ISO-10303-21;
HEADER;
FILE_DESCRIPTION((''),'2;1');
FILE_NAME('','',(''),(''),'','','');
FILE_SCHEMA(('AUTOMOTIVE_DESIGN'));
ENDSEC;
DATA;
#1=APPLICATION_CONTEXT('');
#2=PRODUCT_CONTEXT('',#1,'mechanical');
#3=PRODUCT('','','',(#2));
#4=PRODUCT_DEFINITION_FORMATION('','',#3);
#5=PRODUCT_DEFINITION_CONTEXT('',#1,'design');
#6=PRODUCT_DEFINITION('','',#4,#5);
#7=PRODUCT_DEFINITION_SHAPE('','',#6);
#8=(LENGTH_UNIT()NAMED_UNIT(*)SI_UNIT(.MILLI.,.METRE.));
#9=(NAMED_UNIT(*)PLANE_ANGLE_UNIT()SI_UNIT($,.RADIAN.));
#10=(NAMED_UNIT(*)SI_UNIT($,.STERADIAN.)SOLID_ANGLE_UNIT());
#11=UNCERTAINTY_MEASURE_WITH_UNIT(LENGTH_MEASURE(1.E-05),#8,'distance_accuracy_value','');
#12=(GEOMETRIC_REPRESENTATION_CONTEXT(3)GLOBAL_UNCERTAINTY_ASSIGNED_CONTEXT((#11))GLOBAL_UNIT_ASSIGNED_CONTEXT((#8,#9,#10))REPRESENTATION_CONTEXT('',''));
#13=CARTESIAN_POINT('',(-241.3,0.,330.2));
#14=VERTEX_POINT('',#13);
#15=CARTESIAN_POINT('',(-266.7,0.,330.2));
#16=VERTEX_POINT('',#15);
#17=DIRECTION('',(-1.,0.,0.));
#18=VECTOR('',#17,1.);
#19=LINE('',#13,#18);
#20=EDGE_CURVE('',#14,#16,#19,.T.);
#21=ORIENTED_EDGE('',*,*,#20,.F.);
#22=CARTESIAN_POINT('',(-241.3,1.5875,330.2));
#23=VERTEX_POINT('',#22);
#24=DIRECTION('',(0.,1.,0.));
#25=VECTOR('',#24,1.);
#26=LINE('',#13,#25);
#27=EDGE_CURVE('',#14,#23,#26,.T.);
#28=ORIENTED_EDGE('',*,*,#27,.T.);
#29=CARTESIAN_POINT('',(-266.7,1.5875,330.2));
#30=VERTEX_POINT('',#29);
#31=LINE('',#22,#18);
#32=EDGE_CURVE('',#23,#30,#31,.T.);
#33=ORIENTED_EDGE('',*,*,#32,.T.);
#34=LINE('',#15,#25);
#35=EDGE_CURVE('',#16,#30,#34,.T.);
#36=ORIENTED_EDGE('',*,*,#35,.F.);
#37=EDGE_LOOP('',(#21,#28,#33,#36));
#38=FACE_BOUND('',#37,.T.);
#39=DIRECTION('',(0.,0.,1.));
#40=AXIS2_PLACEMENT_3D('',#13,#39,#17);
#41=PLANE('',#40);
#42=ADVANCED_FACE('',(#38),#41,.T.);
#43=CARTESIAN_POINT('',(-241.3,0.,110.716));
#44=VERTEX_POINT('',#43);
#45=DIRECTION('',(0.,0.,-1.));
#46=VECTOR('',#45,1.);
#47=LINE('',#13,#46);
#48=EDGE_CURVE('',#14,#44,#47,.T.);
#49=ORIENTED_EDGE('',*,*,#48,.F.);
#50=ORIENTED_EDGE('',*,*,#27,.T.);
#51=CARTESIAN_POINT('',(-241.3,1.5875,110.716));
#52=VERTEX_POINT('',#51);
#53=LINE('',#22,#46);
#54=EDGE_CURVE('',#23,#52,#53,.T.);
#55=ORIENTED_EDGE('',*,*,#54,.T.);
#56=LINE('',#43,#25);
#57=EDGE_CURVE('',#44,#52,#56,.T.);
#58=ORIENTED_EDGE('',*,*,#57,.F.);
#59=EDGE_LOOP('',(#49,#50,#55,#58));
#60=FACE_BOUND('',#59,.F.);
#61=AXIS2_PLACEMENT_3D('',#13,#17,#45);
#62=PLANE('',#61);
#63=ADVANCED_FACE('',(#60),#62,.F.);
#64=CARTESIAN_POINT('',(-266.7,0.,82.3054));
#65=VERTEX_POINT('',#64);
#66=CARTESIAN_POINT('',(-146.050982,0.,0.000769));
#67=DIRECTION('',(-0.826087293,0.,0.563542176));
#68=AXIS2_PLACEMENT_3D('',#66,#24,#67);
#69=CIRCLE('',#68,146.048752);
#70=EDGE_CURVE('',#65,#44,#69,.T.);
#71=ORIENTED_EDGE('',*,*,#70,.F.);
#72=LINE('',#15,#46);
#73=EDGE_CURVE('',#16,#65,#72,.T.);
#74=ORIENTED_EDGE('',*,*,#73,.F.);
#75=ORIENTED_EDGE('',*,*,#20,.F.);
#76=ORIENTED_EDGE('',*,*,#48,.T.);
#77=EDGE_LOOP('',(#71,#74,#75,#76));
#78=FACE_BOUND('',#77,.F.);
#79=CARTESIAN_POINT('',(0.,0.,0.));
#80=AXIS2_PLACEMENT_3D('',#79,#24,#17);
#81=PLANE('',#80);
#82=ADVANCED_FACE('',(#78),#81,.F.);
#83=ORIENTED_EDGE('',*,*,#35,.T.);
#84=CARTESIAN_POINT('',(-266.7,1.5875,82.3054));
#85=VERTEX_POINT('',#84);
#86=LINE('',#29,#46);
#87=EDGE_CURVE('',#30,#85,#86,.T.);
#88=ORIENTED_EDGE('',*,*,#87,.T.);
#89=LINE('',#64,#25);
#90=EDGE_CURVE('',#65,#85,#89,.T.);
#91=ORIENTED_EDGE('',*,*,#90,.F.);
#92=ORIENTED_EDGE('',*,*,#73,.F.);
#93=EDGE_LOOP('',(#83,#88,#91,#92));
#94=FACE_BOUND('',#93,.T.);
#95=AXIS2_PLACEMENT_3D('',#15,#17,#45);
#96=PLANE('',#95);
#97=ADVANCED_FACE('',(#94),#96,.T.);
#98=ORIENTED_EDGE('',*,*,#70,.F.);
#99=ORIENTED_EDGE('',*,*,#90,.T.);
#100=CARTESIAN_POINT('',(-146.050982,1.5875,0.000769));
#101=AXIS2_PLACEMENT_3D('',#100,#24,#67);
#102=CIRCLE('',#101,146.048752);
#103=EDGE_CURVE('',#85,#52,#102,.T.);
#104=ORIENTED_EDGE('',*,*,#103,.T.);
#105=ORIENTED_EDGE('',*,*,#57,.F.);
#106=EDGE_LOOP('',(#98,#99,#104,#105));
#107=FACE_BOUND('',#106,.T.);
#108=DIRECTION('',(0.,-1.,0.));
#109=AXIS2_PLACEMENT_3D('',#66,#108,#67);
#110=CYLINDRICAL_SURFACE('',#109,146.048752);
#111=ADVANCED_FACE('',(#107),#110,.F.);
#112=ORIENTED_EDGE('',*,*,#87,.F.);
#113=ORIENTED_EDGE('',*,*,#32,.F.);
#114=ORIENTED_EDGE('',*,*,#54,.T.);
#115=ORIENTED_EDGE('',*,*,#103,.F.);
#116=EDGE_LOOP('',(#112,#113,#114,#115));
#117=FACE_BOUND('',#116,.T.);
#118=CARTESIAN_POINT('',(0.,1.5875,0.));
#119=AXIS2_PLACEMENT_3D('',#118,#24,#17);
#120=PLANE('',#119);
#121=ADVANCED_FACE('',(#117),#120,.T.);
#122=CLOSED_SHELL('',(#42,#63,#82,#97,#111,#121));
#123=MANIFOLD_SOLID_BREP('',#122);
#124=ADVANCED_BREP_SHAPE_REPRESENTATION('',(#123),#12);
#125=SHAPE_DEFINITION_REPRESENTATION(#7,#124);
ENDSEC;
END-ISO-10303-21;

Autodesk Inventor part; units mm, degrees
ref_plane "YZ Plane" through (0, 0, 0) normal (1, 0, 0) x (0, 1, 0)
ref_plane "XZ Plane" through (0, 0, 0) normal (0, 1, 0) x (-1, 0, 0)
ref_plane "XY Plane" through (0, 0, 0) normal (0, 0, 1) x (1, 0, 0)
sketch "Sketch1" plane through (0, 0, 0) normal (0, 1, 0) x (-1, 0, 0)
  line L0 (0, 0) -> (0, 330.2) construction
  line L1 (0, 330.2) -> (330.2, 330.2) construction
  line L2 (330.2, 330.2) -> (330.2, 0) construction
  line L3 (330.2, 0) -> (0, 0) construction
  circle A0 centre (146.05, 0) radius 146.05 construction
  line L4 (241.3, 330.2) -> (241.3, 110.716)
  line L5 (266.7, 330.2) -> (266.7, 82.3054)
  line L6 (241.3, 330.2) -> (266.7, 330.2)
  arc A1 (266.7, 82.3054) -> (241.3, 110.716) centre (146.05, 0) ccw
  dimension "d0" = 292.1
  dimension "d1" = 330.2
  dimension "d2" = 330.2
  dimension "d6" = 25.4
  dimension "d10" = 241.3
extrude "Extrusion1" add sketch "Sketch1" along normal blind 1.5875
properties part number "Hopper Teflon Strip P4"
